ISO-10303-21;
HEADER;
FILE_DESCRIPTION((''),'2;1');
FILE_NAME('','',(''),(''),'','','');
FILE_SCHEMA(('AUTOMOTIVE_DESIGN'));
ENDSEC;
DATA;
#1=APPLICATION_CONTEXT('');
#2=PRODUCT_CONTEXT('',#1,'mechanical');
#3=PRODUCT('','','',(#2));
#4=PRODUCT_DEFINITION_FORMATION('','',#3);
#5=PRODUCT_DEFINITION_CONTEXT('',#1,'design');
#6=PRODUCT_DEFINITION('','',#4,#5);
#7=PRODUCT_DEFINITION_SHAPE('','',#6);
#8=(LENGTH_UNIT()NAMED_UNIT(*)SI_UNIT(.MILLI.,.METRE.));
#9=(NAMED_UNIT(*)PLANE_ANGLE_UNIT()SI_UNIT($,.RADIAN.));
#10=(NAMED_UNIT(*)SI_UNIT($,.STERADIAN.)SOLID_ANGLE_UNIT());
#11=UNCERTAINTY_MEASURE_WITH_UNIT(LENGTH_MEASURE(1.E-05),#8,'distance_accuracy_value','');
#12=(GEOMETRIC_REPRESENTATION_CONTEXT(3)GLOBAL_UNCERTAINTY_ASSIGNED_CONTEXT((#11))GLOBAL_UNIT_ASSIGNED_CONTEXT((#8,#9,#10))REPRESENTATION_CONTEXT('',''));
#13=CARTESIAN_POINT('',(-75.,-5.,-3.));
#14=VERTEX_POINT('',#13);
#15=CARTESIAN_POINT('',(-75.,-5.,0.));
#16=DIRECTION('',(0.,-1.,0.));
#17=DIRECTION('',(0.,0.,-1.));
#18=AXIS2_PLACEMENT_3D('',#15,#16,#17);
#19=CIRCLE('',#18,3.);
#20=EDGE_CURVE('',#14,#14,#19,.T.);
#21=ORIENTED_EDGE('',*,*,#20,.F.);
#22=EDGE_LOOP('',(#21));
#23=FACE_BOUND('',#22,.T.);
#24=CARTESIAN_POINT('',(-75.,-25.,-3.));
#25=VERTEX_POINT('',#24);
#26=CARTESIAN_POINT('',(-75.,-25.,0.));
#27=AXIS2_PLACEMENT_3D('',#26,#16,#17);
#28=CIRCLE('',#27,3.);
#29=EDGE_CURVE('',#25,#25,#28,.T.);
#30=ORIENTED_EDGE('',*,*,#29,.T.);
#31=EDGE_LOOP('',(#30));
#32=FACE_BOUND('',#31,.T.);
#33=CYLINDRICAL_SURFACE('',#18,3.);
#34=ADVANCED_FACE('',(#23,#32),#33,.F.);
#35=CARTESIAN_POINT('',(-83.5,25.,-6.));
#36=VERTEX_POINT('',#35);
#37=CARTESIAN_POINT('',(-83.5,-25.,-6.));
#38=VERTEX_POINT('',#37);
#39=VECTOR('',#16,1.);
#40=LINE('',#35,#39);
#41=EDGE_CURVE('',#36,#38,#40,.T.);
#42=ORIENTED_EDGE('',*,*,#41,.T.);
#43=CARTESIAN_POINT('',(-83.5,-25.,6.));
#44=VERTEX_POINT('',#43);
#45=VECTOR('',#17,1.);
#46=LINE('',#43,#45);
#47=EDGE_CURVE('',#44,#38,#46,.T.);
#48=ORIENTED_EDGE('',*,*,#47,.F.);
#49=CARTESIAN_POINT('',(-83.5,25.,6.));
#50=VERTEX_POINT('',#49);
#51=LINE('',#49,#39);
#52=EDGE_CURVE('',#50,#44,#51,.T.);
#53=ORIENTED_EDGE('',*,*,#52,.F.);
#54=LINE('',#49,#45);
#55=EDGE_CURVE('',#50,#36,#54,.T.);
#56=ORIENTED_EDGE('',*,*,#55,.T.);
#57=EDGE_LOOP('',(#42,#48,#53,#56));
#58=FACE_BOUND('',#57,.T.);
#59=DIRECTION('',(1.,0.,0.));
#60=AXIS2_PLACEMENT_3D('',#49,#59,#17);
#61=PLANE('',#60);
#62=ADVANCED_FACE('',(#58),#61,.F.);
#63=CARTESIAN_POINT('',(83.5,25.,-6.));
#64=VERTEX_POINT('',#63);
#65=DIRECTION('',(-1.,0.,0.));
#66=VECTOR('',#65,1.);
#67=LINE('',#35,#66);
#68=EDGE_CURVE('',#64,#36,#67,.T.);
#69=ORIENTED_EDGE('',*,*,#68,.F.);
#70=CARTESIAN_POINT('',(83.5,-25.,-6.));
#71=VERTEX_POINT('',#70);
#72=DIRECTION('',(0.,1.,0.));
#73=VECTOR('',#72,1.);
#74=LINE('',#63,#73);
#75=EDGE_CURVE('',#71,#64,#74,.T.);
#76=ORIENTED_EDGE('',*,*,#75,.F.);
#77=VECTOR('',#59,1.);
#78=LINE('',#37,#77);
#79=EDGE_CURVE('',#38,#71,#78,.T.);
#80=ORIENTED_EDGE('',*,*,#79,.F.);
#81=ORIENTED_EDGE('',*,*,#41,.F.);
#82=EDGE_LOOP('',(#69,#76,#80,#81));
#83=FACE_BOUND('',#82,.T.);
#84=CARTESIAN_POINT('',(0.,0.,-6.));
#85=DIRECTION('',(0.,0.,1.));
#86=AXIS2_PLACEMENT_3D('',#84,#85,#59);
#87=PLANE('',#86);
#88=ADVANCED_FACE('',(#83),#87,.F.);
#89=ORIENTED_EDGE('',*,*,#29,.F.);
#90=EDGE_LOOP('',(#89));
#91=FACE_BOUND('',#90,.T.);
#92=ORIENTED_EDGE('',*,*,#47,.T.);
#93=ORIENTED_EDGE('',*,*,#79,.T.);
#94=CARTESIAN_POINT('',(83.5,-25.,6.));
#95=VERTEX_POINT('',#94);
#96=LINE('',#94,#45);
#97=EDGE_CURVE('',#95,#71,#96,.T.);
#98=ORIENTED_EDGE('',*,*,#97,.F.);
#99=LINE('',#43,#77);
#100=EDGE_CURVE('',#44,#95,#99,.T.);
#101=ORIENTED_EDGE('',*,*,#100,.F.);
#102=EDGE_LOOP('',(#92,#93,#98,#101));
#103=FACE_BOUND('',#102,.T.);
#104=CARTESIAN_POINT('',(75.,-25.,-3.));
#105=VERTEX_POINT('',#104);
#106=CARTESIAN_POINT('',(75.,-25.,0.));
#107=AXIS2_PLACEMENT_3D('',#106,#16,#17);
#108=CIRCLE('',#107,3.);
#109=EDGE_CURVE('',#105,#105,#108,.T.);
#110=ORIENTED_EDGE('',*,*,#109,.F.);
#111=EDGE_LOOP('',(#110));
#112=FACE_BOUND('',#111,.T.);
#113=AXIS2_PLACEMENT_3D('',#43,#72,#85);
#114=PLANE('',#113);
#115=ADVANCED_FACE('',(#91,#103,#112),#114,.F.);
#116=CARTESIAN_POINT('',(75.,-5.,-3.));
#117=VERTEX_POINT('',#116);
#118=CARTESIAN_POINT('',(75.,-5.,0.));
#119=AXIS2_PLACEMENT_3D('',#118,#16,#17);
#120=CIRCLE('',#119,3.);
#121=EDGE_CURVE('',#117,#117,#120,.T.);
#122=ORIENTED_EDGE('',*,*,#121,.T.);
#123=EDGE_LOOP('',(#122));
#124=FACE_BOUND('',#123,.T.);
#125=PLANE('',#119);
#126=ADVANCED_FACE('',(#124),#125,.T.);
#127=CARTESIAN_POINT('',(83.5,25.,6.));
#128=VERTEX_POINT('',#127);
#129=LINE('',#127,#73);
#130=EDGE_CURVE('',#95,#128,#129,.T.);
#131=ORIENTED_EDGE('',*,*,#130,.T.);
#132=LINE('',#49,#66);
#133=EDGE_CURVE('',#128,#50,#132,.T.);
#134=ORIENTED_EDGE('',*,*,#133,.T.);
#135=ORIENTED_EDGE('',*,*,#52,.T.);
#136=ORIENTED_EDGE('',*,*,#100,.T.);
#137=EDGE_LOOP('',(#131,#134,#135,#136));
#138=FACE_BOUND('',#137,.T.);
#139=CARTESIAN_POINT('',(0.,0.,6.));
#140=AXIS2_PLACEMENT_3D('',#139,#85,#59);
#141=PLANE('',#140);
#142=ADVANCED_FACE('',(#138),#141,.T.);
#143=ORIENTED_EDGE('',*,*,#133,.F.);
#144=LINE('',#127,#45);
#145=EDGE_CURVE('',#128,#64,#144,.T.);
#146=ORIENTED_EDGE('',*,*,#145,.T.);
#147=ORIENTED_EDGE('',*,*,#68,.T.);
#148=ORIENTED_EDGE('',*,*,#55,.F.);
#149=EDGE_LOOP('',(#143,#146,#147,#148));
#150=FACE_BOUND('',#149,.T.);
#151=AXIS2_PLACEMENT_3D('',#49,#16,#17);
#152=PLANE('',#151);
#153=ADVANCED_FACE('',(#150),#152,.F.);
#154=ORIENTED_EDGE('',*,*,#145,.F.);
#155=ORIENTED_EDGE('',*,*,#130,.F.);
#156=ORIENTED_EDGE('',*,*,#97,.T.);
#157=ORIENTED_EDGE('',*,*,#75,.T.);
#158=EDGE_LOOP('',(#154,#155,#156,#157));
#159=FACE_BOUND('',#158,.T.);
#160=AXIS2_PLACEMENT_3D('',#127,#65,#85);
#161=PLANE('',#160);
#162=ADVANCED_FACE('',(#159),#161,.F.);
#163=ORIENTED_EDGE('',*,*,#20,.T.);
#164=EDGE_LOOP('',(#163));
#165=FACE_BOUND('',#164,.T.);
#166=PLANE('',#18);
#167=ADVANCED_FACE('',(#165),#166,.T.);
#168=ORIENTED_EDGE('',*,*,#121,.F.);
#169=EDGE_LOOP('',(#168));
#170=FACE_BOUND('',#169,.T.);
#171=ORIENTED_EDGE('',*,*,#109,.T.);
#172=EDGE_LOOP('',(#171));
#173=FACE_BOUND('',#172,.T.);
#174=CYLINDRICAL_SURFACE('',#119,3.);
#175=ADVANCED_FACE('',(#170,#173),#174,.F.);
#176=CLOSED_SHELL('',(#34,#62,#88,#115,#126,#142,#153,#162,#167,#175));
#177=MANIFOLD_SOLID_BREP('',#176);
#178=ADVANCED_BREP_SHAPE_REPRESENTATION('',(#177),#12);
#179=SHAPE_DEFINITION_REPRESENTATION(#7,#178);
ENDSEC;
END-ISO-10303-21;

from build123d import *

# Parameters (mm, degrees)
ESBO_O1_W                = 167
ESBO_O1_H                = 50
RESSALTO_EXTRUS_O1_DEPTH = 6
ESBO_O3_R                = 3
CORTE_EXTRUS_O1_DEPTH    = 20


with BuildPart() as part:
    # Esboço1 → Ressalto-extrusão1 (new, symmetric)
    with BuildSketch(Plane.XY):
        Rectangle(ESBO_O1_W, ESBO_O1_H)
    extrude(amount=RESSALTO_EXTRUS_O1_DEPTH, both=True)

    # Esboço3 → Corte-extrusão1 (cut)
    with BuildSketch(Plane(origin=(0, -25, 0), x_dir=(-1, 0, 0), z_dir=(0, -1, 0))):
        with Locations(Location((75, 0, 0), (0, 0, 90))):
            Circle(ESBO_O3_R)
        with Locations(Location((-75, 0, 0), (0, 0, 90))):
            Circle(ESBO_O3_R)
    extrude(amount=-CORTE_EXTRUS_O1_DEPTH, mode=Mode.SUBTRACT)


solid = part.part
